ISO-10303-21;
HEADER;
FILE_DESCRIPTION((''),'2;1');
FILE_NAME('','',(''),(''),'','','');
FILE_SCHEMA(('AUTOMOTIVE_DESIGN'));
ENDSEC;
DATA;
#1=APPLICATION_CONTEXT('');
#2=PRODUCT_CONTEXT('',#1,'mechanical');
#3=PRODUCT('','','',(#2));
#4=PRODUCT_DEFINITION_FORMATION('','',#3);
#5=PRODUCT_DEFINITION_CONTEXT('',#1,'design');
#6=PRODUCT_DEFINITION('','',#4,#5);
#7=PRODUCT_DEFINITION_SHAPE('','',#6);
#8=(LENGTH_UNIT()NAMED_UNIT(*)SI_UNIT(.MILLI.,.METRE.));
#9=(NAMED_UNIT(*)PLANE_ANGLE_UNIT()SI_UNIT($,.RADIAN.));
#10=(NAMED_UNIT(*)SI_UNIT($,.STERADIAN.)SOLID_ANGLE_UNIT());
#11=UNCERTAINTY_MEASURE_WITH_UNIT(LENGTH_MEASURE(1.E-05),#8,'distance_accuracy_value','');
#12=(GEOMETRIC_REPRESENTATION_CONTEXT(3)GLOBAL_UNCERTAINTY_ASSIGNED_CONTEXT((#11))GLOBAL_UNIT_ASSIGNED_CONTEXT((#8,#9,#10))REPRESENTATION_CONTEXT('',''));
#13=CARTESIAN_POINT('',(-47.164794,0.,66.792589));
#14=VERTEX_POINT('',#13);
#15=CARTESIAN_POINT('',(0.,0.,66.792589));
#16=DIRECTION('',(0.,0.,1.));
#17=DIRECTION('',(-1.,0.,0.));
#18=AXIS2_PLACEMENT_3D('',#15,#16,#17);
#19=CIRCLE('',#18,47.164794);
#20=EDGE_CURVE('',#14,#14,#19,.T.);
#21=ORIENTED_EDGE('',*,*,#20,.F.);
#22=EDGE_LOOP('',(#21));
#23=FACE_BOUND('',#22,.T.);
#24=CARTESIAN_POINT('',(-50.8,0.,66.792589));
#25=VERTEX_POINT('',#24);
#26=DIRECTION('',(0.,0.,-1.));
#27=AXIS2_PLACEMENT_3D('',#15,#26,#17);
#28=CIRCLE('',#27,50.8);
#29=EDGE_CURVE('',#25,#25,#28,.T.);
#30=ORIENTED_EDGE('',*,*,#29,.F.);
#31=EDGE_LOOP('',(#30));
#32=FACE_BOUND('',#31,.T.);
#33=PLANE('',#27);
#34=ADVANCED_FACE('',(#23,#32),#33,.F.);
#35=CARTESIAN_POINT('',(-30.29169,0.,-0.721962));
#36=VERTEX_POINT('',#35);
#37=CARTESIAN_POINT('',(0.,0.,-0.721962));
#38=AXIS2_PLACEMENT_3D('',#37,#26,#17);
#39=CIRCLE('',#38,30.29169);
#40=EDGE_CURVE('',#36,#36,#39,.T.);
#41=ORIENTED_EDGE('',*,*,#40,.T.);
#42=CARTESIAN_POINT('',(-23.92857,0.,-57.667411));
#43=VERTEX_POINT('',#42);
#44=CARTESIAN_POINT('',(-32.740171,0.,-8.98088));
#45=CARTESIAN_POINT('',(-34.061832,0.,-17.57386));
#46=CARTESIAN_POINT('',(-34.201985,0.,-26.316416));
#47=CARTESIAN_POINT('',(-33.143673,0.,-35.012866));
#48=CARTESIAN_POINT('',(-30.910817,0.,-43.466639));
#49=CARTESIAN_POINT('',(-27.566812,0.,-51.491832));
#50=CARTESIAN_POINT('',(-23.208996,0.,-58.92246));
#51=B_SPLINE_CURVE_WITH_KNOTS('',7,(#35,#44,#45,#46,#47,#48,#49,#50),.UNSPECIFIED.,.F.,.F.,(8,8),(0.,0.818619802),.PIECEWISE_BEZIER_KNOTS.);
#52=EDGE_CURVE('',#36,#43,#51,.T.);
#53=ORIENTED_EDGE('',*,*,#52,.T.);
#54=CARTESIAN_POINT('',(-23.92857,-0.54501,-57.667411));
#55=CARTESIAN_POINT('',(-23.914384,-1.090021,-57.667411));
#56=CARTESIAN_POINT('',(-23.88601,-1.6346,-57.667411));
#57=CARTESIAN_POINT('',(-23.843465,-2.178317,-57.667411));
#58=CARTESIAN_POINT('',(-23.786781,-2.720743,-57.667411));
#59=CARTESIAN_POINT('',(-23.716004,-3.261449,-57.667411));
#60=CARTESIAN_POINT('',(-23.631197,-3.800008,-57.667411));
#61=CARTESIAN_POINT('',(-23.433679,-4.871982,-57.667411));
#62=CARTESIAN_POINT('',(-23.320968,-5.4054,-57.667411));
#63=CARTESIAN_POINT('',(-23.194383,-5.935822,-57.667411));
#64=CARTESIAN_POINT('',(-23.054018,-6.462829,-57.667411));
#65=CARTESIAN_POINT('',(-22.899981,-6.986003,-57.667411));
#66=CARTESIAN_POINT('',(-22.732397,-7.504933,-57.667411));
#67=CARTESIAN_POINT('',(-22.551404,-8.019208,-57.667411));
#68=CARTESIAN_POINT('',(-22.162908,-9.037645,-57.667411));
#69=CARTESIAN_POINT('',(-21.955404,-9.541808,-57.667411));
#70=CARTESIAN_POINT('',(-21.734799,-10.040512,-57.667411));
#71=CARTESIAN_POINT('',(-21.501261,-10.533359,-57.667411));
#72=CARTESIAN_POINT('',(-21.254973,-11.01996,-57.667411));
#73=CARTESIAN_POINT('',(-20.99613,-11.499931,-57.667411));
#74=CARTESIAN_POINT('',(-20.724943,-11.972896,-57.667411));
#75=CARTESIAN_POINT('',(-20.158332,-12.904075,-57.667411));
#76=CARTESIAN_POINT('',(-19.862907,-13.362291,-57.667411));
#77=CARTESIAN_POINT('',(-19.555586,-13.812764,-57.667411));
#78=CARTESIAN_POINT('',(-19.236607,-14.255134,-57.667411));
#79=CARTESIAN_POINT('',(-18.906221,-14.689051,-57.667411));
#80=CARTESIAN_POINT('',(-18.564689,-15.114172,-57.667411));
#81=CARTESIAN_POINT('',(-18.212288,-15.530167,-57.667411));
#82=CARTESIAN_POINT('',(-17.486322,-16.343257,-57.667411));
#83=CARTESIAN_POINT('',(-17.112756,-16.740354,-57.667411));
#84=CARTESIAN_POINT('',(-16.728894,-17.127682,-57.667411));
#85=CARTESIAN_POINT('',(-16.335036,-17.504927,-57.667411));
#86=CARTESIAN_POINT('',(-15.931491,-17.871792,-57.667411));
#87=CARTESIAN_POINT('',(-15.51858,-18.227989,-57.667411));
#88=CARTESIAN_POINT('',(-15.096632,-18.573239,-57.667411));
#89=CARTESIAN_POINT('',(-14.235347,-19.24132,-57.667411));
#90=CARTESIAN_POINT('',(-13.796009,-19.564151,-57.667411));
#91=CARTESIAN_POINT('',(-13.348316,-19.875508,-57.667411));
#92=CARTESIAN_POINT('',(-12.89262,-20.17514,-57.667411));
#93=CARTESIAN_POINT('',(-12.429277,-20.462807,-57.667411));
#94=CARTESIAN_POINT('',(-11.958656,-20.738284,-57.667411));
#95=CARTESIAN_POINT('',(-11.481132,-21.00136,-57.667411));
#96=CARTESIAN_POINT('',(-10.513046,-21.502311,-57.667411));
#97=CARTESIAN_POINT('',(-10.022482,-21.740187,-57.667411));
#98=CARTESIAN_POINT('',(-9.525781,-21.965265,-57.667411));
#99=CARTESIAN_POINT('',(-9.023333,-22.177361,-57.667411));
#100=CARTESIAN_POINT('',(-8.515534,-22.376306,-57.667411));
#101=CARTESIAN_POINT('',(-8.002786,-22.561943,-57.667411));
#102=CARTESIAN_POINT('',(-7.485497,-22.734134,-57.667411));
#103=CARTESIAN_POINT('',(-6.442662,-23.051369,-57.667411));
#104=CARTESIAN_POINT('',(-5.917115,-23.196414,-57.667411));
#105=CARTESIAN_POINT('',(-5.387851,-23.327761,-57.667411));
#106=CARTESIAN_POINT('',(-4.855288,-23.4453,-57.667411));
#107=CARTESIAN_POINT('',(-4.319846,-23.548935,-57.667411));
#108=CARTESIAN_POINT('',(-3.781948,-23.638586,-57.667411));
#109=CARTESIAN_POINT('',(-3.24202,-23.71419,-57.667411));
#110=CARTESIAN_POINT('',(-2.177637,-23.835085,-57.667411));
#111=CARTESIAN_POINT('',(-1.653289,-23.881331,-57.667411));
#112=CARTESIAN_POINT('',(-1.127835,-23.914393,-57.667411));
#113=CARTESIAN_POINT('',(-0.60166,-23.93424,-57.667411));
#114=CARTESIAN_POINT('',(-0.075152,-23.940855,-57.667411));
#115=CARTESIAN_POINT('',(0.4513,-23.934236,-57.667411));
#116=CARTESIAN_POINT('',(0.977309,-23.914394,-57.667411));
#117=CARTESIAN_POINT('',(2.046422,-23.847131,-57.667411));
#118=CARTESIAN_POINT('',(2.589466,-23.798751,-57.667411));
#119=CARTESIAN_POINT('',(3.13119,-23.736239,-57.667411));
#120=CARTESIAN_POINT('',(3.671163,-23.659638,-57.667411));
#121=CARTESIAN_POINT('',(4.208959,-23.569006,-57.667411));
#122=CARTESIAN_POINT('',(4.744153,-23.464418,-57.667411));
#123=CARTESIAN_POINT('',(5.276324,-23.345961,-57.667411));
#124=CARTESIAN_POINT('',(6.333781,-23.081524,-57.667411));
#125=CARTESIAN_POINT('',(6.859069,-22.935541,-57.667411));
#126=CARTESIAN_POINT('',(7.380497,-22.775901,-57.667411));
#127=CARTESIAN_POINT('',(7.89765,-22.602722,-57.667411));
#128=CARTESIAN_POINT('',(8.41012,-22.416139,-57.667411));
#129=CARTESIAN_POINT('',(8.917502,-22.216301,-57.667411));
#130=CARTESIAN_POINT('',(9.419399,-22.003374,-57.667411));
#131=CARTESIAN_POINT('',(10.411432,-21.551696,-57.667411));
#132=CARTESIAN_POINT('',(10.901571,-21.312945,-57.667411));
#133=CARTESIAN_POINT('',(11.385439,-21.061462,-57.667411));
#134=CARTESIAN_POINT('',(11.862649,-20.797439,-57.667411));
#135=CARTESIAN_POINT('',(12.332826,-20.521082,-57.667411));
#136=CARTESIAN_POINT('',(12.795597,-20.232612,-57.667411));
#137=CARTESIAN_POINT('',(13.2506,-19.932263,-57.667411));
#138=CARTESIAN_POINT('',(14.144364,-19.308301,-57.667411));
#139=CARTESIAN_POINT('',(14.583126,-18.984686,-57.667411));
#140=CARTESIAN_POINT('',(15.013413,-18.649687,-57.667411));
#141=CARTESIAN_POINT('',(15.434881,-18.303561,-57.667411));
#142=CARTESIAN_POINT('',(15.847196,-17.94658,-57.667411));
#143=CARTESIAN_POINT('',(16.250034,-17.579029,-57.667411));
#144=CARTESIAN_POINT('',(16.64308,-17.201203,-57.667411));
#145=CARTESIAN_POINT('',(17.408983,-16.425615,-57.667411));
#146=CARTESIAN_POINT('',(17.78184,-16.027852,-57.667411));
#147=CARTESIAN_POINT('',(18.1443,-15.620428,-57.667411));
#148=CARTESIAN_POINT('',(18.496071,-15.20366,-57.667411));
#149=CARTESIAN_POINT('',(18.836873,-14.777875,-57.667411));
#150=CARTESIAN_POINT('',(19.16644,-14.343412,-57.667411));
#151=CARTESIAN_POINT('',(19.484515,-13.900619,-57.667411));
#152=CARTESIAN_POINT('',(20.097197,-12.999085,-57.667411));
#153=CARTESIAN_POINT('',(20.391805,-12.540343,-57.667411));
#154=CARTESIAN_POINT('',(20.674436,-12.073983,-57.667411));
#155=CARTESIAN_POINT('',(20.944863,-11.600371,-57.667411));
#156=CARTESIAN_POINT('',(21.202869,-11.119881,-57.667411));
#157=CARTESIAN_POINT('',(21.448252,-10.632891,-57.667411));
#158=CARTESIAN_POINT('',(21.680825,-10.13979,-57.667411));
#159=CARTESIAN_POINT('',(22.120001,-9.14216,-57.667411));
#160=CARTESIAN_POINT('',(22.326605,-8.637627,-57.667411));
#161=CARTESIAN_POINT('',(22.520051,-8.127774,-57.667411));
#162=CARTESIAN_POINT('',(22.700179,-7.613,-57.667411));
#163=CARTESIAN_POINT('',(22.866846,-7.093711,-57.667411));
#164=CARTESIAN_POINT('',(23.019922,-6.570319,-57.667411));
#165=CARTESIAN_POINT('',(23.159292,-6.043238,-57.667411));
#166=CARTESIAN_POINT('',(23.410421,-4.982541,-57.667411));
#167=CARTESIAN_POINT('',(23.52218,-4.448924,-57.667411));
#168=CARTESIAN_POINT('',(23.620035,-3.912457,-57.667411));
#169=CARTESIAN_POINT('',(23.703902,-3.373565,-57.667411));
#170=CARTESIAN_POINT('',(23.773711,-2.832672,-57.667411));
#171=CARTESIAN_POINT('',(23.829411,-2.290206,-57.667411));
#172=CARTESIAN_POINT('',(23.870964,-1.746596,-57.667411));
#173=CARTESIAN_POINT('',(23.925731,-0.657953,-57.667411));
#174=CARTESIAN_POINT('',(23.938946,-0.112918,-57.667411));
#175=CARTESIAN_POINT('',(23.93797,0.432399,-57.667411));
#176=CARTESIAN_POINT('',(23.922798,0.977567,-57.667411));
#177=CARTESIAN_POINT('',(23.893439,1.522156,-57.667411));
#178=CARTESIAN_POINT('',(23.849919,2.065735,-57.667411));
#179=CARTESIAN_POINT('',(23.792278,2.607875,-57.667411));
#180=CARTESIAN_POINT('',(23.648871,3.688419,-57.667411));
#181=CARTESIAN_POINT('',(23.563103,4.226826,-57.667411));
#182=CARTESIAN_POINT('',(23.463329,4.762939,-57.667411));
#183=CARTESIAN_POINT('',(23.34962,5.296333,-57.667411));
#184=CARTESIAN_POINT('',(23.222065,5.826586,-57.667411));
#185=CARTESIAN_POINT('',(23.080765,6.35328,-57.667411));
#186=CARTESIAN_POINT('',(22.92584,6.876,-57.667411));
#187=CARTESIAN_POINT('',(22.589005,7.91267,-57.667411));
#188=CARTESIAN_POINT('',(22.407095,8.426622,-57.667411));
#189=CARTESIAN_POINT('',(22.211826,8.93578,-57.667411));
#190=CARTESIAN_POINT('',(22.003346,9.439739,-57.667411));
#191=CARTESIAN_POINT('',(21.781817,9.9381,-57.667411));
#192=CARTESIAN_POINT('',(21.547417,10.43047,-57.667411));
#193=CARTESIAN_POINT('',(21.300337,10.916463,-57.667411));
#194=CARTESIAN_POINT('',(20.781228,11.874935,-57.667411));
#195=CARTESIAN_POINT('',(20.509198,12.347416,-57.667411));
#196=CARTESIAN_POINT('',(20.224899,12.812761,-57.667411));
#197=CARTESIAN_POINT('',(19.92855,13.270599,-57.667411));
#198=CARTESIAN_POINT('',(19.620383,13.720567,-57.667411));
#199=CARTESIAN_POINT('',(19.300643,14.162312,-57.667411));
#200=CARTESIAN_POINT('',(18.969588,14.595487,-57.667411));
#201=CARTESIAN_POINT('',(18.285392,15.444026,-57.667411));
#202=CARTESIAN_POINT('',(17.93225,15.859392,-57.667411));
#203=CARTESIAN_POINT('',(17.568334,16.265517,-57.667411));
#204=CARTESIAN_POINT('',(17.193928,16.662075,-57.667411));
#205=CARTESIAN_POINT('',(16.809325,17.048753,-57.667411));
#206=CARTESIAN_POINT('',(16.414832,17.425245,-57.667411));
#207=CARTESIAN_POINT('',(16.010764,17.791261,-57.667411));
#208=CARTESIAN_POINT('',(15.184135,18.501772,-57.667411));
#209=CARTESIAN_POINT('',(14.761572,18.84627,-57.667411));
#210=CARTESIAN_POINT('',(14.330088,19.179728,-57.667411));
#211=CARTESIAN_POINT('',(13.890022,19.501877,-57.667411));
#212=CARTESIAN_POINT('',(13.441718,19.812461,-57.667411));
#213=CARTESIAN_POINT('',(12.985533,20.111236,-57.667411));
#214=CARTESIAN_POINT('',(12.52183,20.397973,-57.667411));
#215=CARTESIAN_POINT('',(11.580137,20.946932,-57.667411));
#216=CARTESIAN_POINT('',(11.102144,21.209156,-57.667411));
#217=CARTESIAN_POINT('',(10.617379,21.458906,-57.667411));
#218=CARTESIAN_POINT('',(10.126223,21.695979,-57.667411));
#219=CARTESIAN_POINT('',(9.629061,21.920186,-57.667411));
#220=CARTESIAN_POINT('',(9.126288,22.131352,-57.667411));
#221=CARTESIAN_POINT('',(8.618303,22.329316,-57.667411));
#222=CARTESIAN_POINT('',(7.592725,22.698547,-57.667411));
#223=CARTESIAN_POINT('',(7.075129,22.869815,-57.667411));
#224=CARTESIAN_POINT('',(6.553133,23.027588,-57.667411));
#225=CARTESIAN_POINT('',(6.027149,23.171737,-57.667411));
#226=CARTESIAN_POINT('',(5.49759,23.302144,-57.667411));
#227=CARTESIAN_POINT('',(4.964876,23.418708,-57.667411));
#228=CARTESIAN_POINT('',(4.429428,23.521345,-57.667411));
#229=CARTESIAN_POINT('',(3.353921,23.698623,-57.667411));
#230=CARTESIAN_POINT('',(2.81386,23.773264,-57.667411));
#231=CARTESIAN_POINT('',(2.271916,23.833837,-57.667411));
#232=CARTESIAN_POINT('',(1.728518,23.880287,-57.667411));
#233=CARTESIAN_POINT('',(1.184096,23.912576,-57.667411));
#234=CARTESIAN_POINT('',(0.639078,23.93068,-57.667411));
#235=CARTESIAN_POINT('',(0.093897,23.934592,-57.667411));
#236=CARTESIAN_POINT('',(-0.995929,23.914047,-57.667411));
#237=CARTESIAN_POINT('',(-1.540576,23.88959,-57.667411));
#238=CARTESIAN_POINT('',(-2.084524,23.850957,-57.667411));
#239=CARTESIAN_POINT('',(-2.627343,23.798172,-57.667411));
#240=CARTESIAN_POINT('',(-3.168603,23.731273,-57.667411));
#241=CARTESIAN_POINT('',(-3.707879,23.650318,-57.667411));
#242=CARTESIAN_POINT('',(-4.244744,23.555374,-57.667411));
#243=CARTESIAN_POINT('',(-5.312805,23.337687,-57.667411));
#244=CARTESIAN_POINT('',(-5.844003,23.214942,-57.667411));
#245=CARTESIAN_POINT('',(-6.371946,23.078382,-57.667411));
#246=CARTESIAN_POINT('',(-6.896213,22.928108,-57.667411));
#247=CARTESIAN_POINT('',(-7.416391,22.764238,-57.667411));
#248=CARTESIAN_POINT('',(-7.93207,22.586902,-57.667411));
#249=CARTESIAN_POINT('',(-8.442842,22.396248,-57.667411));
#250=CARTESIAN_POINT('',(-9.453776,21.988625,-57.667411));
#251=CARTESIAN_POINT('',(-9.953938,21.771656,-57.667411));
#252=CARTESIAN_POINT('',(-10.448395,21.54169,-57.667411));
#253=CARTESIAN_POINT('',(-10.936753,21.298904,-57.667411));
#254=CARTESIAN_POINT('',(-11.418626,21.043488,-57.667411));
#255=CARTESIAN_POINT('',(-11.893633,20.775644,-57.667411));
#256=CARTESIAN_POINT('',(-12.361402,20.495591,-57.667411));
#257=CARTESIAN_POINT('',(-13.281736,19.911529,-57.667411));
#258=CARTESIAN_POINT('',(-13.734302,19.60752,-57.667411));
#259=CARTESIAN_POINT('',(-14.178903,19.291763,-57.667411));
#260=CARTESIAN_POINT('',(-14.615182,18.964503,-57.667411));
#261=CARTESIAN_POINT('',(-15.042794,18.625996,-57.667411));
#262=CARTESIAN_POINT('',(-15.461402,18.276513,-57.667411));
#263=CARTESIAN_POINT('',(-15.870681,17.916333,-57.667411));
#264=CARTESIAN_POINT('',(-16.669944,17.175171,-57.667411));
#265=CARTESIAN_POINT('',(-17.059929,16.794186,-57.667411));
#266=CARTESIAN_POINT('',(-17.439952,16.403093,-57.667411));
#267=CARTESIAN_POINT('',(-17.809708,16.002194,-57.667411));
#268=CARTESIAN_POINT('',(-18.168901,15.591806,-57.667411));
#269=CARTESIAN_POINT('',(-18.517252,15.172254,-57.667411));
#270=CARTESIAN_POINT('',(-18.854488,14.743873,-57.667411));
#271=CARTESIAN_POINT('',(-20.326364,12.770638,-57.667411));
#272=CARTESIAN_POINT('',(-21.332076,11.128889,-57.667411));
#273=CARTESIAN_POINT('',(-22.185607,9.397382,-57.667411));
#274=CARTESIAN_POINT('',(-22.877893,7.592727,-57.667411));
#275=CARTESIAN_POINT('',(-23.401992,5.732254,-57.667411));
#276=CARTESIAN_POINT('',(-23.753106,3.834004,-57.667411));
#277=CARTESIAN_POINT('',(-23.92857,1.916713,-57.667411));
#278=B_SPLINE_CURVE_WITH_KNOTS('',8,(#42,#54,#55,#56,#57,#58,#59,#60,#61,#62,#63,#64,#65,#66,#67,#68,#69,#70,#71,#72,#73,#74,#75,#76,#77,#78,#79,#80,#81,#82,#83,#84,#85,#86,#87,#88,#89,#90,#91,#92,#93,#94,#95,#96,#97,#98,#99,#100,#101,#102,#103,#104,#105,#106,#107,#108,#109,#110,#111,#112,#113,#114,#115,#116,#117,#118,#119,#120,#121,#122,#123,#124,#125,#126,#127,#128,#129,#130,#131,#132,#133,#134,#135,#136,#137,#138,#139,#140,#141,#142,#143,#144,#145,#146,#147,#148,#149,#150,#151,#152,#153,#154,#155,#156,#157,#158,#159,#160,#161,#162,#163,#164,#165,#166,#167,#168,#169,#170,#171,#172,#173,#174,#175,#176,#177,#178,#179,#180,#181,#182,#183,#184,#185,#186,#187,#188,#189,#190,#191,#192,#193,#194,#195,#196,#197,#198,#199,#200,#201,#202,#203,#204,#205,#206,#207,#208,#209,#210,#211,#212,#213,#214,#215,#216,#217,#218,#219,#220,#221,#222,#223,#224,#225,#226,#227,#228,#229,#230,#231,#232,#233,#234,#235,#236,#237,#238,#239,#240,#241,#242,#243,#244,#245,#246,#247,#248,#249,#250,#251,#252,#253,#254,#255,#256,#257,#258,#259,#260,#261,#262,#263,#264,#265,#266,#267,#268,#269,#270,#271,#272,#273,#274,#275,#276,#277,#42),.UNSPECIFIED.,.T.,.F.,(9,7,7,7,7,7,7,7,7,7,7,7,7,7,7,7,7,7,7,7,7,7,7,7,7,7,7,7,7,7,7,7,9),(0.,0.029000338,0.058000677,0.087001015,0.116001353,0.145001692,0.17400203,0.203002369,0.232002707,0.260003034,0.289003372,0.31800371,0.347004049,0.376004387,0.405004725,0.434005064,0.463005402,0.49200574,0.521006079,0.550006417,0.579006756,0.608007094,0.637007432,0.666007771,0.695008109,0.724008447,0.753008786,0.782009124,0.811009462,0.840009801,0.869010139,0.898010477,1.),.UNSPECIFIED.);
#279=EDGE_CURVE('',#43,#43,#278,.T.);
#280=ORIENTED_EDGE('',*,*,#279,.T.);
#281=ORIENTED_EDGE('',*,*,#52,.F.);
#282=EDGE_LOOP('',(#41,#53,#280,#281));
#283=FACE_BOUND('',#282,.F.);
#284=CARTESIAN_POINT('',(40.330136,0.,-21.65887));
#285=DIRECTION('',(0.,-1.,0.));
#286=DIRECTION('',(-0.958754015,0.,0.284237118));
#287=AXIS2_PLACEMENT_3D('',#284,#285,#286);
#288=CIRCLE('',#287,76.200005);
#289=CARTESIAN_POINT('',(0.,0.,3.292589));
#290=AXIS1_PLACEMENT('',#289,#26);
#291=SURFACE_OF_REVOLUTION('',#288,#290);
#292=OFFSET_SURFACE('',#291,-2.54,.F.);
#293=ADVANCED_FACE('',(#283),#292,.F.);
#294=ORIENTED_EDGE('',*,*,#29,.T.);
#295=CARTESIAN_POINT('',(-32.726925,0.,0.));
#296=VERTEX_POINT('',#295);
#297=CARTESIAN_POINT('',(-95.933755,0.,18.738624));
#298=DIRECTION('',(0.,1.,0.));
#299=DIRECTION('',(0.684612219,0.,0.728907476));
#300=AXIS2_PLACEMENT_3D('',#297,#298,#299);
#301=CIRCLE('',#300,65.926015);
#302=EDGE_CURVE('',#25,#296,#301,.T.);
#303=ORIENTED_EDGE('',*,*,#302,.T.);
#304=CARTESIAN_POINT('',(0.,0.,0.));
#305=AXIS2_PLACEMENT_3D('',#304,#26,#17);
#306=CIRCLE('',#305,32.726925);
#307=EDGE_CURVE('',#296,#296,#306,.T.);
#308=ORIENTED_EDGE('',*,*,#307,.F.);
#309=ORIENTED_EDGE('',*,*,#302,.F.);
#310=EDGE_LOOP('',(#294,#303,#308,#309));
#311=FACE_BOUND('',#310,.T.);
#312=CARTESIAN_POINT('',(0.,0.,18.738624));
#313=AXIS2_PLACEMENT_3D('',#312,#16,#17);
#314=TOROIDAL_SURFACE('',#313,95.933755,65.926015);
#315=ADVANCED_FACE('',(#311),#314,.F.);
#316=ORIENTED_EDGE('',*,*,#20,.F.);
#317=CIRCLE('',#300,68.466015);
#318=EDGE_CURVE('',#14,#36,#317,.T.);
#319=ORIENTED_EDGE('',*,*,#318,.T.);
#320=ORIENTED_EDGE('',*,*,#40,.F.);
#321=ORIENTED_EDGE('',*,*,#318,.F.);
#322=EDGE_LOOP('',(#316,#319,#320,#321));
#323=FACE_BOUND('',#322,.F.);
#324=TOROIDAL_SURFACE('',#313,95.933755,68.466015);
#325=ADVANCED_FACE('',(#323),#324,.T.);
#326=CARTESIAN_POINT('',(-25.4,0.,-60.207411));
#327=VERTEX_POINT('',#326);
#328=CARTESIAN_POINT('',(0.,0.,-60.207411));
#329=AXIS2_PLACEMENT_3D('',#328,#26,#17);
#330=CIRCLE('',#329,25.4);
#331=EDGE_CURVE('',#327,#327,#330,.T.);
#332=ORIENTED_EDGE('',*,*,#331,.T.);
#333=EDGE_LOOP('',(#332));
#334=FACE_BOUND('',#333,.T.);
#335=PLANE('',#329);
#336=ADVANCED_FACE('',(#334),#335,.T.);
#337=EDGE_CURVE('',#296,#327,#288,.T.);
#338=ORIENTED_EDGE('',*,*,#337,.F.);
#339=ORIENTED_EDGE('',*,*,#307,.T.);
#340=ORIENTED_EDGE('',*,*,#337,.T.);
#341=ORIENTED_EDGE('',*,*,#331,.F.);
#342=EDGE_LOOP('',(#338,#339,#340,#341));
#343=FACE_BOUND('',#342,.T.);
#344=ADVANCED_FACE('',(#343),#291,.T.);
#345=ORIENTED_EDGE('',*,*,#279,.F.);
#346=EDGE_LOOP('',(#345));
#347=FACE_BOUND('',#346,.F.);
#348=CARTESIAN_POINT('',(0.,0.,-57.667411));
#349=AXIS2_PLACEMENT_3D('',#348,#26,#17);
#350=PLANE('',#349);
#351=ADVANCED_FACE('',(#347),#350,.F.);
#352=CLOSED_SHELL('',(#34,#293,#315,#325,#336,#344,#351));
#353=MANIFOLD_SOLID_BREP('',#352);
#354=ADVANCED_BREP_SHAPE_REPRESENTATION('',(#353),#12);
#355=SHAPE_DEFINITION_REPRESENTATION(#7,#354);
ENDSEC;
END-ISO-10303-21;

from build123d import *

# Parameters (mm, degrees)
F2_T = -2.54


with BuildPart() as f1:
    # F0 (on Front) → F1 (revolve)
    with BuildSketch(Plane.XZ):
        with BuildLine():
            Line((-25.4, -60.207411), (0, -60.207411))
            Line((0, -60.207411), (0, 66.792589))
            Line((0, 66.792589), (-50.8, 66.792589))
            ThreePointArc((-50.8, 66.792589), (-32.296242, 35.957983), (-32.726925, 0))
            ThreePointArc((-32.726925, 0), (-35.311814, -30.864097), (-25.4, -60.207411))
        make_face()
    revolve(axis=Axis((0, 0, 3.292589), (0, 0, -1)))

    # F2
    f2_openings = [f1.faces().sort_by_distance(p)[0] for p in [
        (0, 0, 66.792589),
    ]]
    offset(amount=F2_T, openings=f2_openings)


solid = f1.part
